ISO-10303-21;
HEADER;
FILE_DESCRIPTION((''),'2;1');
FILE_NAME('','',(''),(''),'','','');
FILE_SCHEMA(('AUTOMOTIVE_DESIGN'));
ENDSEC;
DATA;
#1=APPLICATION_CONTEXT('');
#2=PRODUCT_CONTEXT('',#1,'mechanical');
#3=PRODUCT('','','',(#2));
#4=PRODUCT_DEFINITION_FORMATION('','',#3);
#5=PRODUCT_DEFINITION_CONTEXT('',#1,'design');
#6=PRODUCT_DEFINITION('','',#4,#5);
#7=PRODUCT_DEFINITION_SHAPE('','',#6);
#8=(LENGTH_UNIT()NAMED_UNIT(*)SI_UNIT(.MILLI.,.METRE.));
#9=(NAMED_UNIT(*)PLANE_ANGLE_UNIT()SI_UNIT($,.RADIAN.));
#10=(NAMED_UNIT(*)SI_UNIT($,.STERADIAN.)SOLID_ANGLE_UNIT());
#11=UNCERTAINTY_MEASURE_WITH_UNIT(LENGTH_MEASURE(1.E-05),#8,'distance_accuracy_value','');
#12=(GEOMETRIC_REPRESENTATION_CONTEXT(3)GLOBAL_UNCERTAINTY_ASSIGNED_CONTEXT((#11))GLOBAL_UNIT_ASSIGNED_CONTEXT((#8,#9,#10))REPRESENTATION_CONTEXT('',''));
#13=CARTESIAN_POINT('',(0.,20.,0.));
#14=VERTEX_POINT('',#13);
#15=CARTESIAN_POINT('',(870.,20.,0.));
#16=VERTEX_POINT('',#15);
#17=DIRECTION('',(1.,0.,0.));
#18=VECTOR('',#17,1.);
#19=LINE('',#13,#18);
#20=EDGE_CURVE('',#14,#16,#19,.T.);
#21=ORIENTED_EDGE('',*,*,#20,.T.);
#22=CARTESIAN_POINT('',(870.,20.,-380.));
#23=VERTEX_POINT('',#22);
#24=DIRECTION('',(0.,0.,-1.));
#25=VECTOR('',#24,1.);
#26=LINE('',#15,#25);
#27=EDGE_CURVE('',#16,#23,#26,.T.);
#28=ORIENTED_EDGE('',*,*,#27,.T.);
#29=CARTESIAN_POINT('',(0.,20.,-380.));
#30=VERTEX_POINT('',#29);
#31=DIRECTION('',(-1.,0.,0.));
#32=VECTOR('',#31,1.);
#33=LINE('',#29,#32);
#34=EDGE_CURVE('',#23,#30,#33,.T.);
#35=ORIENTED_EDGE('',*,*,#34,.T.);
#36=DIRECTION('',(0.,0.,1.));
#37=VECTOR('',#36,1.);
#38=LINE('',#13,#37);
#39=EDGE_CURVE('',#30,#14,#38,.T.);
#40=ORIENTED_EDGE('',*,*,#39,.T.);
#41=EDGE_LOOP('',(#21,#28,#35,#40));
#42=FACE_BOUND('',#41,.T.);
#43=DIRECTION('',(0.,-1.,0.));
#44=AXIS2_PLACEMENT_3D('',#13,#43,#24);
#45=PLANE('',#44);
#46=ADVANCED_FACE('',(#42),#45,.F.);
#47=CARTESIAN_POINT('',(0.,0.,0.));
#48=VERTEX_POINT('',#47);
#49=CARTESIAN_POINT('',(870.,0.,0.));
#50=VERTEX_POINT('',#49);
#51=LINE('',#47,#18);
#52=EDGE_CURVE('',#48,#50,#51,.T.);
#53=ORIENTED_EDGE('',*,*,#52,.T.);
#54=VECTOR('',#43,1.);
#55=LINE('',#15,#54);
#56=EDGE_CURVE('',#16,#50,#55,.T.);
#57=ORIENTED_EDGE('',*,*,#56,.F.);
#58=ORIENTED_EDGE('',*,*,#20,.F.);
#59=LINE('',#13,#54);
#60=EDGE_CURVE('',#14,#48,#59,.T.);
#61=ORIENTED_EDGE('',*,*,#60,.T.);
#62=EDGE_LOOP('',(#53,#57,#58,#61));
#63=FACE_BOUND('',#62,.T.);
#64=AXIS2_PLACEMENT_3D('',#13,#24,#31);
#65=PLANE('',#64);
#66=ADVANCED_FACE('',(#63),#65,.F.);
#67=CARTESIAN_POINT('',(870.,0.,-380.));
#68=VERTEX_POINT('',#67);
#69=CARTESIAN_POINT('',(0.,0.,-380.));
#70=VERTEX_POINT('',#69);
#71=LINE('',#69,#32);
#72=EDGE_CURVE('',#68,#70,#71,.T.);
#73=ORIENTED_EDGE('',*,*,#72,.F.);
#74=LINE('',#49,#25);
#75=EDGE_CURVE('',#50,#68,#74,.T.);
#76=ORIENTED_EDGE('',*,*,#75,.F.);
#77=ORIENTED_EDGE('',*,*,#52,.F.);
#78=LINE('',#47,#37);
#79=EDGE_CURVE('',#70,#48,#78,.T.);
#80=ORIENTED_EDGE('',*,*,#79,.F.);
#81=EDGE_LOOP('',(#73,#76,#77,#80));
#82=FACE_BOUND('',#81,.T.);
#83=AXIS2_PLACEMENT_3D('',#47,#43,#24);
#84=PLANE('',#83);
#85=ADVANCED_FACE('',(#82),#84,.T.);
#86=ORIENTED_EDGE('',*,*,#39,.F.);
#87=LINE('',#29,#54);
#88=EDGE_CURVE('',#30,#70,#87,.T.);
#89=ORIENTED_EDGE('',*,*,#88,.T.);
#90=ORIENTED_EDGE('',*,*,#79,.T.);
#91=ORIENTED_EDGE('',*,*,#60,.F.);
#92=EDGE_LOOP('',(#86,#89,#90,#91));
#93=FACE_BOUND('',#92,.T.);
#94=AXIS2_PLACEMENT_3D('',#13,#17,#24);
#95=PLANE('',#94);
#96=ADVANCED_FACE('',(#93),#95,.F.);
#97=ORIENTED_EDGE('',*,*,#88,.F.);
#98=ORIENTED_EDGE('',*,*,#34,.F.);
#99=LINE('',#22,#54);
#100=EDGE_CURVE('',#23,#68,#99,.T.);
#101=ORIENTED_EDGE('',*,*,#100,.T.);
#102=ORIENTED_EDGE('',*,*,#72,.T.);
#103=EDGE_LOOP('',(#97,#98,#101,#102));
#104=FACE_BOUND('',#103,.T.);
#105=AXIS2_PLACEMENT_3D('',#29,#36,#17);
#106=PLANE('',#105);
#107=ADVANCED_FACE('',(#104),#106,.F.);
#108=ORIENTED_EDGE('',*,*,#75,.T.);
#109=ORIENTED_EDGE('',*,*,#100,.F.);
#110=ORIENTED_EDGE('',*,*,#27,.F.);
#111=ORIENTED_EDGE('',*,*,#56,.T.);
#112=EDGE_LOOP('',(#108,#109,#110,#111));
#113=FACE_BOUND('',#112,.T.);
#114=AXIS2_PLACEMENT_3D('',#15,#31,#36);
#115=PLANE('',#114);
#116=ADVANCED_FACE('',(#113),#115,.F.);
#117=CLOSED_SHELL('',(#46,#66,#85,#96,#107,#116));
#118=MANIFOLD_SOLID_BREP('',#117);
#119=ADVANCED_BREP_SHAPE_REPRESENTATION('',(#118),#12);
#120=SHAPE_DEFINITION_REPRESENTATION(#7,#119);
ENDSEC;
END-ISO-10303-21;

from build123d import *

# Parameters (mm, degrees)
SKETCH_1_W      = 870
SKETCH_1_H      = 380
EXTRUDE_1_DEPTH = 20


with BuildPart() as part:
    # 草图1 → 凸台-拉伸1 (new body)
    with BuildSketch(Plane(origin=(0, 0, 0), x_dir=(1, 0, 0), z_dir=(0, 1, 0))):
        with Locations((435, 190)):
            Rectangle(SKETCH_1_W, SKETCH_1_H)
    extrude(amount=EXTRUDE_1_DEPTH)


solid = part.part
